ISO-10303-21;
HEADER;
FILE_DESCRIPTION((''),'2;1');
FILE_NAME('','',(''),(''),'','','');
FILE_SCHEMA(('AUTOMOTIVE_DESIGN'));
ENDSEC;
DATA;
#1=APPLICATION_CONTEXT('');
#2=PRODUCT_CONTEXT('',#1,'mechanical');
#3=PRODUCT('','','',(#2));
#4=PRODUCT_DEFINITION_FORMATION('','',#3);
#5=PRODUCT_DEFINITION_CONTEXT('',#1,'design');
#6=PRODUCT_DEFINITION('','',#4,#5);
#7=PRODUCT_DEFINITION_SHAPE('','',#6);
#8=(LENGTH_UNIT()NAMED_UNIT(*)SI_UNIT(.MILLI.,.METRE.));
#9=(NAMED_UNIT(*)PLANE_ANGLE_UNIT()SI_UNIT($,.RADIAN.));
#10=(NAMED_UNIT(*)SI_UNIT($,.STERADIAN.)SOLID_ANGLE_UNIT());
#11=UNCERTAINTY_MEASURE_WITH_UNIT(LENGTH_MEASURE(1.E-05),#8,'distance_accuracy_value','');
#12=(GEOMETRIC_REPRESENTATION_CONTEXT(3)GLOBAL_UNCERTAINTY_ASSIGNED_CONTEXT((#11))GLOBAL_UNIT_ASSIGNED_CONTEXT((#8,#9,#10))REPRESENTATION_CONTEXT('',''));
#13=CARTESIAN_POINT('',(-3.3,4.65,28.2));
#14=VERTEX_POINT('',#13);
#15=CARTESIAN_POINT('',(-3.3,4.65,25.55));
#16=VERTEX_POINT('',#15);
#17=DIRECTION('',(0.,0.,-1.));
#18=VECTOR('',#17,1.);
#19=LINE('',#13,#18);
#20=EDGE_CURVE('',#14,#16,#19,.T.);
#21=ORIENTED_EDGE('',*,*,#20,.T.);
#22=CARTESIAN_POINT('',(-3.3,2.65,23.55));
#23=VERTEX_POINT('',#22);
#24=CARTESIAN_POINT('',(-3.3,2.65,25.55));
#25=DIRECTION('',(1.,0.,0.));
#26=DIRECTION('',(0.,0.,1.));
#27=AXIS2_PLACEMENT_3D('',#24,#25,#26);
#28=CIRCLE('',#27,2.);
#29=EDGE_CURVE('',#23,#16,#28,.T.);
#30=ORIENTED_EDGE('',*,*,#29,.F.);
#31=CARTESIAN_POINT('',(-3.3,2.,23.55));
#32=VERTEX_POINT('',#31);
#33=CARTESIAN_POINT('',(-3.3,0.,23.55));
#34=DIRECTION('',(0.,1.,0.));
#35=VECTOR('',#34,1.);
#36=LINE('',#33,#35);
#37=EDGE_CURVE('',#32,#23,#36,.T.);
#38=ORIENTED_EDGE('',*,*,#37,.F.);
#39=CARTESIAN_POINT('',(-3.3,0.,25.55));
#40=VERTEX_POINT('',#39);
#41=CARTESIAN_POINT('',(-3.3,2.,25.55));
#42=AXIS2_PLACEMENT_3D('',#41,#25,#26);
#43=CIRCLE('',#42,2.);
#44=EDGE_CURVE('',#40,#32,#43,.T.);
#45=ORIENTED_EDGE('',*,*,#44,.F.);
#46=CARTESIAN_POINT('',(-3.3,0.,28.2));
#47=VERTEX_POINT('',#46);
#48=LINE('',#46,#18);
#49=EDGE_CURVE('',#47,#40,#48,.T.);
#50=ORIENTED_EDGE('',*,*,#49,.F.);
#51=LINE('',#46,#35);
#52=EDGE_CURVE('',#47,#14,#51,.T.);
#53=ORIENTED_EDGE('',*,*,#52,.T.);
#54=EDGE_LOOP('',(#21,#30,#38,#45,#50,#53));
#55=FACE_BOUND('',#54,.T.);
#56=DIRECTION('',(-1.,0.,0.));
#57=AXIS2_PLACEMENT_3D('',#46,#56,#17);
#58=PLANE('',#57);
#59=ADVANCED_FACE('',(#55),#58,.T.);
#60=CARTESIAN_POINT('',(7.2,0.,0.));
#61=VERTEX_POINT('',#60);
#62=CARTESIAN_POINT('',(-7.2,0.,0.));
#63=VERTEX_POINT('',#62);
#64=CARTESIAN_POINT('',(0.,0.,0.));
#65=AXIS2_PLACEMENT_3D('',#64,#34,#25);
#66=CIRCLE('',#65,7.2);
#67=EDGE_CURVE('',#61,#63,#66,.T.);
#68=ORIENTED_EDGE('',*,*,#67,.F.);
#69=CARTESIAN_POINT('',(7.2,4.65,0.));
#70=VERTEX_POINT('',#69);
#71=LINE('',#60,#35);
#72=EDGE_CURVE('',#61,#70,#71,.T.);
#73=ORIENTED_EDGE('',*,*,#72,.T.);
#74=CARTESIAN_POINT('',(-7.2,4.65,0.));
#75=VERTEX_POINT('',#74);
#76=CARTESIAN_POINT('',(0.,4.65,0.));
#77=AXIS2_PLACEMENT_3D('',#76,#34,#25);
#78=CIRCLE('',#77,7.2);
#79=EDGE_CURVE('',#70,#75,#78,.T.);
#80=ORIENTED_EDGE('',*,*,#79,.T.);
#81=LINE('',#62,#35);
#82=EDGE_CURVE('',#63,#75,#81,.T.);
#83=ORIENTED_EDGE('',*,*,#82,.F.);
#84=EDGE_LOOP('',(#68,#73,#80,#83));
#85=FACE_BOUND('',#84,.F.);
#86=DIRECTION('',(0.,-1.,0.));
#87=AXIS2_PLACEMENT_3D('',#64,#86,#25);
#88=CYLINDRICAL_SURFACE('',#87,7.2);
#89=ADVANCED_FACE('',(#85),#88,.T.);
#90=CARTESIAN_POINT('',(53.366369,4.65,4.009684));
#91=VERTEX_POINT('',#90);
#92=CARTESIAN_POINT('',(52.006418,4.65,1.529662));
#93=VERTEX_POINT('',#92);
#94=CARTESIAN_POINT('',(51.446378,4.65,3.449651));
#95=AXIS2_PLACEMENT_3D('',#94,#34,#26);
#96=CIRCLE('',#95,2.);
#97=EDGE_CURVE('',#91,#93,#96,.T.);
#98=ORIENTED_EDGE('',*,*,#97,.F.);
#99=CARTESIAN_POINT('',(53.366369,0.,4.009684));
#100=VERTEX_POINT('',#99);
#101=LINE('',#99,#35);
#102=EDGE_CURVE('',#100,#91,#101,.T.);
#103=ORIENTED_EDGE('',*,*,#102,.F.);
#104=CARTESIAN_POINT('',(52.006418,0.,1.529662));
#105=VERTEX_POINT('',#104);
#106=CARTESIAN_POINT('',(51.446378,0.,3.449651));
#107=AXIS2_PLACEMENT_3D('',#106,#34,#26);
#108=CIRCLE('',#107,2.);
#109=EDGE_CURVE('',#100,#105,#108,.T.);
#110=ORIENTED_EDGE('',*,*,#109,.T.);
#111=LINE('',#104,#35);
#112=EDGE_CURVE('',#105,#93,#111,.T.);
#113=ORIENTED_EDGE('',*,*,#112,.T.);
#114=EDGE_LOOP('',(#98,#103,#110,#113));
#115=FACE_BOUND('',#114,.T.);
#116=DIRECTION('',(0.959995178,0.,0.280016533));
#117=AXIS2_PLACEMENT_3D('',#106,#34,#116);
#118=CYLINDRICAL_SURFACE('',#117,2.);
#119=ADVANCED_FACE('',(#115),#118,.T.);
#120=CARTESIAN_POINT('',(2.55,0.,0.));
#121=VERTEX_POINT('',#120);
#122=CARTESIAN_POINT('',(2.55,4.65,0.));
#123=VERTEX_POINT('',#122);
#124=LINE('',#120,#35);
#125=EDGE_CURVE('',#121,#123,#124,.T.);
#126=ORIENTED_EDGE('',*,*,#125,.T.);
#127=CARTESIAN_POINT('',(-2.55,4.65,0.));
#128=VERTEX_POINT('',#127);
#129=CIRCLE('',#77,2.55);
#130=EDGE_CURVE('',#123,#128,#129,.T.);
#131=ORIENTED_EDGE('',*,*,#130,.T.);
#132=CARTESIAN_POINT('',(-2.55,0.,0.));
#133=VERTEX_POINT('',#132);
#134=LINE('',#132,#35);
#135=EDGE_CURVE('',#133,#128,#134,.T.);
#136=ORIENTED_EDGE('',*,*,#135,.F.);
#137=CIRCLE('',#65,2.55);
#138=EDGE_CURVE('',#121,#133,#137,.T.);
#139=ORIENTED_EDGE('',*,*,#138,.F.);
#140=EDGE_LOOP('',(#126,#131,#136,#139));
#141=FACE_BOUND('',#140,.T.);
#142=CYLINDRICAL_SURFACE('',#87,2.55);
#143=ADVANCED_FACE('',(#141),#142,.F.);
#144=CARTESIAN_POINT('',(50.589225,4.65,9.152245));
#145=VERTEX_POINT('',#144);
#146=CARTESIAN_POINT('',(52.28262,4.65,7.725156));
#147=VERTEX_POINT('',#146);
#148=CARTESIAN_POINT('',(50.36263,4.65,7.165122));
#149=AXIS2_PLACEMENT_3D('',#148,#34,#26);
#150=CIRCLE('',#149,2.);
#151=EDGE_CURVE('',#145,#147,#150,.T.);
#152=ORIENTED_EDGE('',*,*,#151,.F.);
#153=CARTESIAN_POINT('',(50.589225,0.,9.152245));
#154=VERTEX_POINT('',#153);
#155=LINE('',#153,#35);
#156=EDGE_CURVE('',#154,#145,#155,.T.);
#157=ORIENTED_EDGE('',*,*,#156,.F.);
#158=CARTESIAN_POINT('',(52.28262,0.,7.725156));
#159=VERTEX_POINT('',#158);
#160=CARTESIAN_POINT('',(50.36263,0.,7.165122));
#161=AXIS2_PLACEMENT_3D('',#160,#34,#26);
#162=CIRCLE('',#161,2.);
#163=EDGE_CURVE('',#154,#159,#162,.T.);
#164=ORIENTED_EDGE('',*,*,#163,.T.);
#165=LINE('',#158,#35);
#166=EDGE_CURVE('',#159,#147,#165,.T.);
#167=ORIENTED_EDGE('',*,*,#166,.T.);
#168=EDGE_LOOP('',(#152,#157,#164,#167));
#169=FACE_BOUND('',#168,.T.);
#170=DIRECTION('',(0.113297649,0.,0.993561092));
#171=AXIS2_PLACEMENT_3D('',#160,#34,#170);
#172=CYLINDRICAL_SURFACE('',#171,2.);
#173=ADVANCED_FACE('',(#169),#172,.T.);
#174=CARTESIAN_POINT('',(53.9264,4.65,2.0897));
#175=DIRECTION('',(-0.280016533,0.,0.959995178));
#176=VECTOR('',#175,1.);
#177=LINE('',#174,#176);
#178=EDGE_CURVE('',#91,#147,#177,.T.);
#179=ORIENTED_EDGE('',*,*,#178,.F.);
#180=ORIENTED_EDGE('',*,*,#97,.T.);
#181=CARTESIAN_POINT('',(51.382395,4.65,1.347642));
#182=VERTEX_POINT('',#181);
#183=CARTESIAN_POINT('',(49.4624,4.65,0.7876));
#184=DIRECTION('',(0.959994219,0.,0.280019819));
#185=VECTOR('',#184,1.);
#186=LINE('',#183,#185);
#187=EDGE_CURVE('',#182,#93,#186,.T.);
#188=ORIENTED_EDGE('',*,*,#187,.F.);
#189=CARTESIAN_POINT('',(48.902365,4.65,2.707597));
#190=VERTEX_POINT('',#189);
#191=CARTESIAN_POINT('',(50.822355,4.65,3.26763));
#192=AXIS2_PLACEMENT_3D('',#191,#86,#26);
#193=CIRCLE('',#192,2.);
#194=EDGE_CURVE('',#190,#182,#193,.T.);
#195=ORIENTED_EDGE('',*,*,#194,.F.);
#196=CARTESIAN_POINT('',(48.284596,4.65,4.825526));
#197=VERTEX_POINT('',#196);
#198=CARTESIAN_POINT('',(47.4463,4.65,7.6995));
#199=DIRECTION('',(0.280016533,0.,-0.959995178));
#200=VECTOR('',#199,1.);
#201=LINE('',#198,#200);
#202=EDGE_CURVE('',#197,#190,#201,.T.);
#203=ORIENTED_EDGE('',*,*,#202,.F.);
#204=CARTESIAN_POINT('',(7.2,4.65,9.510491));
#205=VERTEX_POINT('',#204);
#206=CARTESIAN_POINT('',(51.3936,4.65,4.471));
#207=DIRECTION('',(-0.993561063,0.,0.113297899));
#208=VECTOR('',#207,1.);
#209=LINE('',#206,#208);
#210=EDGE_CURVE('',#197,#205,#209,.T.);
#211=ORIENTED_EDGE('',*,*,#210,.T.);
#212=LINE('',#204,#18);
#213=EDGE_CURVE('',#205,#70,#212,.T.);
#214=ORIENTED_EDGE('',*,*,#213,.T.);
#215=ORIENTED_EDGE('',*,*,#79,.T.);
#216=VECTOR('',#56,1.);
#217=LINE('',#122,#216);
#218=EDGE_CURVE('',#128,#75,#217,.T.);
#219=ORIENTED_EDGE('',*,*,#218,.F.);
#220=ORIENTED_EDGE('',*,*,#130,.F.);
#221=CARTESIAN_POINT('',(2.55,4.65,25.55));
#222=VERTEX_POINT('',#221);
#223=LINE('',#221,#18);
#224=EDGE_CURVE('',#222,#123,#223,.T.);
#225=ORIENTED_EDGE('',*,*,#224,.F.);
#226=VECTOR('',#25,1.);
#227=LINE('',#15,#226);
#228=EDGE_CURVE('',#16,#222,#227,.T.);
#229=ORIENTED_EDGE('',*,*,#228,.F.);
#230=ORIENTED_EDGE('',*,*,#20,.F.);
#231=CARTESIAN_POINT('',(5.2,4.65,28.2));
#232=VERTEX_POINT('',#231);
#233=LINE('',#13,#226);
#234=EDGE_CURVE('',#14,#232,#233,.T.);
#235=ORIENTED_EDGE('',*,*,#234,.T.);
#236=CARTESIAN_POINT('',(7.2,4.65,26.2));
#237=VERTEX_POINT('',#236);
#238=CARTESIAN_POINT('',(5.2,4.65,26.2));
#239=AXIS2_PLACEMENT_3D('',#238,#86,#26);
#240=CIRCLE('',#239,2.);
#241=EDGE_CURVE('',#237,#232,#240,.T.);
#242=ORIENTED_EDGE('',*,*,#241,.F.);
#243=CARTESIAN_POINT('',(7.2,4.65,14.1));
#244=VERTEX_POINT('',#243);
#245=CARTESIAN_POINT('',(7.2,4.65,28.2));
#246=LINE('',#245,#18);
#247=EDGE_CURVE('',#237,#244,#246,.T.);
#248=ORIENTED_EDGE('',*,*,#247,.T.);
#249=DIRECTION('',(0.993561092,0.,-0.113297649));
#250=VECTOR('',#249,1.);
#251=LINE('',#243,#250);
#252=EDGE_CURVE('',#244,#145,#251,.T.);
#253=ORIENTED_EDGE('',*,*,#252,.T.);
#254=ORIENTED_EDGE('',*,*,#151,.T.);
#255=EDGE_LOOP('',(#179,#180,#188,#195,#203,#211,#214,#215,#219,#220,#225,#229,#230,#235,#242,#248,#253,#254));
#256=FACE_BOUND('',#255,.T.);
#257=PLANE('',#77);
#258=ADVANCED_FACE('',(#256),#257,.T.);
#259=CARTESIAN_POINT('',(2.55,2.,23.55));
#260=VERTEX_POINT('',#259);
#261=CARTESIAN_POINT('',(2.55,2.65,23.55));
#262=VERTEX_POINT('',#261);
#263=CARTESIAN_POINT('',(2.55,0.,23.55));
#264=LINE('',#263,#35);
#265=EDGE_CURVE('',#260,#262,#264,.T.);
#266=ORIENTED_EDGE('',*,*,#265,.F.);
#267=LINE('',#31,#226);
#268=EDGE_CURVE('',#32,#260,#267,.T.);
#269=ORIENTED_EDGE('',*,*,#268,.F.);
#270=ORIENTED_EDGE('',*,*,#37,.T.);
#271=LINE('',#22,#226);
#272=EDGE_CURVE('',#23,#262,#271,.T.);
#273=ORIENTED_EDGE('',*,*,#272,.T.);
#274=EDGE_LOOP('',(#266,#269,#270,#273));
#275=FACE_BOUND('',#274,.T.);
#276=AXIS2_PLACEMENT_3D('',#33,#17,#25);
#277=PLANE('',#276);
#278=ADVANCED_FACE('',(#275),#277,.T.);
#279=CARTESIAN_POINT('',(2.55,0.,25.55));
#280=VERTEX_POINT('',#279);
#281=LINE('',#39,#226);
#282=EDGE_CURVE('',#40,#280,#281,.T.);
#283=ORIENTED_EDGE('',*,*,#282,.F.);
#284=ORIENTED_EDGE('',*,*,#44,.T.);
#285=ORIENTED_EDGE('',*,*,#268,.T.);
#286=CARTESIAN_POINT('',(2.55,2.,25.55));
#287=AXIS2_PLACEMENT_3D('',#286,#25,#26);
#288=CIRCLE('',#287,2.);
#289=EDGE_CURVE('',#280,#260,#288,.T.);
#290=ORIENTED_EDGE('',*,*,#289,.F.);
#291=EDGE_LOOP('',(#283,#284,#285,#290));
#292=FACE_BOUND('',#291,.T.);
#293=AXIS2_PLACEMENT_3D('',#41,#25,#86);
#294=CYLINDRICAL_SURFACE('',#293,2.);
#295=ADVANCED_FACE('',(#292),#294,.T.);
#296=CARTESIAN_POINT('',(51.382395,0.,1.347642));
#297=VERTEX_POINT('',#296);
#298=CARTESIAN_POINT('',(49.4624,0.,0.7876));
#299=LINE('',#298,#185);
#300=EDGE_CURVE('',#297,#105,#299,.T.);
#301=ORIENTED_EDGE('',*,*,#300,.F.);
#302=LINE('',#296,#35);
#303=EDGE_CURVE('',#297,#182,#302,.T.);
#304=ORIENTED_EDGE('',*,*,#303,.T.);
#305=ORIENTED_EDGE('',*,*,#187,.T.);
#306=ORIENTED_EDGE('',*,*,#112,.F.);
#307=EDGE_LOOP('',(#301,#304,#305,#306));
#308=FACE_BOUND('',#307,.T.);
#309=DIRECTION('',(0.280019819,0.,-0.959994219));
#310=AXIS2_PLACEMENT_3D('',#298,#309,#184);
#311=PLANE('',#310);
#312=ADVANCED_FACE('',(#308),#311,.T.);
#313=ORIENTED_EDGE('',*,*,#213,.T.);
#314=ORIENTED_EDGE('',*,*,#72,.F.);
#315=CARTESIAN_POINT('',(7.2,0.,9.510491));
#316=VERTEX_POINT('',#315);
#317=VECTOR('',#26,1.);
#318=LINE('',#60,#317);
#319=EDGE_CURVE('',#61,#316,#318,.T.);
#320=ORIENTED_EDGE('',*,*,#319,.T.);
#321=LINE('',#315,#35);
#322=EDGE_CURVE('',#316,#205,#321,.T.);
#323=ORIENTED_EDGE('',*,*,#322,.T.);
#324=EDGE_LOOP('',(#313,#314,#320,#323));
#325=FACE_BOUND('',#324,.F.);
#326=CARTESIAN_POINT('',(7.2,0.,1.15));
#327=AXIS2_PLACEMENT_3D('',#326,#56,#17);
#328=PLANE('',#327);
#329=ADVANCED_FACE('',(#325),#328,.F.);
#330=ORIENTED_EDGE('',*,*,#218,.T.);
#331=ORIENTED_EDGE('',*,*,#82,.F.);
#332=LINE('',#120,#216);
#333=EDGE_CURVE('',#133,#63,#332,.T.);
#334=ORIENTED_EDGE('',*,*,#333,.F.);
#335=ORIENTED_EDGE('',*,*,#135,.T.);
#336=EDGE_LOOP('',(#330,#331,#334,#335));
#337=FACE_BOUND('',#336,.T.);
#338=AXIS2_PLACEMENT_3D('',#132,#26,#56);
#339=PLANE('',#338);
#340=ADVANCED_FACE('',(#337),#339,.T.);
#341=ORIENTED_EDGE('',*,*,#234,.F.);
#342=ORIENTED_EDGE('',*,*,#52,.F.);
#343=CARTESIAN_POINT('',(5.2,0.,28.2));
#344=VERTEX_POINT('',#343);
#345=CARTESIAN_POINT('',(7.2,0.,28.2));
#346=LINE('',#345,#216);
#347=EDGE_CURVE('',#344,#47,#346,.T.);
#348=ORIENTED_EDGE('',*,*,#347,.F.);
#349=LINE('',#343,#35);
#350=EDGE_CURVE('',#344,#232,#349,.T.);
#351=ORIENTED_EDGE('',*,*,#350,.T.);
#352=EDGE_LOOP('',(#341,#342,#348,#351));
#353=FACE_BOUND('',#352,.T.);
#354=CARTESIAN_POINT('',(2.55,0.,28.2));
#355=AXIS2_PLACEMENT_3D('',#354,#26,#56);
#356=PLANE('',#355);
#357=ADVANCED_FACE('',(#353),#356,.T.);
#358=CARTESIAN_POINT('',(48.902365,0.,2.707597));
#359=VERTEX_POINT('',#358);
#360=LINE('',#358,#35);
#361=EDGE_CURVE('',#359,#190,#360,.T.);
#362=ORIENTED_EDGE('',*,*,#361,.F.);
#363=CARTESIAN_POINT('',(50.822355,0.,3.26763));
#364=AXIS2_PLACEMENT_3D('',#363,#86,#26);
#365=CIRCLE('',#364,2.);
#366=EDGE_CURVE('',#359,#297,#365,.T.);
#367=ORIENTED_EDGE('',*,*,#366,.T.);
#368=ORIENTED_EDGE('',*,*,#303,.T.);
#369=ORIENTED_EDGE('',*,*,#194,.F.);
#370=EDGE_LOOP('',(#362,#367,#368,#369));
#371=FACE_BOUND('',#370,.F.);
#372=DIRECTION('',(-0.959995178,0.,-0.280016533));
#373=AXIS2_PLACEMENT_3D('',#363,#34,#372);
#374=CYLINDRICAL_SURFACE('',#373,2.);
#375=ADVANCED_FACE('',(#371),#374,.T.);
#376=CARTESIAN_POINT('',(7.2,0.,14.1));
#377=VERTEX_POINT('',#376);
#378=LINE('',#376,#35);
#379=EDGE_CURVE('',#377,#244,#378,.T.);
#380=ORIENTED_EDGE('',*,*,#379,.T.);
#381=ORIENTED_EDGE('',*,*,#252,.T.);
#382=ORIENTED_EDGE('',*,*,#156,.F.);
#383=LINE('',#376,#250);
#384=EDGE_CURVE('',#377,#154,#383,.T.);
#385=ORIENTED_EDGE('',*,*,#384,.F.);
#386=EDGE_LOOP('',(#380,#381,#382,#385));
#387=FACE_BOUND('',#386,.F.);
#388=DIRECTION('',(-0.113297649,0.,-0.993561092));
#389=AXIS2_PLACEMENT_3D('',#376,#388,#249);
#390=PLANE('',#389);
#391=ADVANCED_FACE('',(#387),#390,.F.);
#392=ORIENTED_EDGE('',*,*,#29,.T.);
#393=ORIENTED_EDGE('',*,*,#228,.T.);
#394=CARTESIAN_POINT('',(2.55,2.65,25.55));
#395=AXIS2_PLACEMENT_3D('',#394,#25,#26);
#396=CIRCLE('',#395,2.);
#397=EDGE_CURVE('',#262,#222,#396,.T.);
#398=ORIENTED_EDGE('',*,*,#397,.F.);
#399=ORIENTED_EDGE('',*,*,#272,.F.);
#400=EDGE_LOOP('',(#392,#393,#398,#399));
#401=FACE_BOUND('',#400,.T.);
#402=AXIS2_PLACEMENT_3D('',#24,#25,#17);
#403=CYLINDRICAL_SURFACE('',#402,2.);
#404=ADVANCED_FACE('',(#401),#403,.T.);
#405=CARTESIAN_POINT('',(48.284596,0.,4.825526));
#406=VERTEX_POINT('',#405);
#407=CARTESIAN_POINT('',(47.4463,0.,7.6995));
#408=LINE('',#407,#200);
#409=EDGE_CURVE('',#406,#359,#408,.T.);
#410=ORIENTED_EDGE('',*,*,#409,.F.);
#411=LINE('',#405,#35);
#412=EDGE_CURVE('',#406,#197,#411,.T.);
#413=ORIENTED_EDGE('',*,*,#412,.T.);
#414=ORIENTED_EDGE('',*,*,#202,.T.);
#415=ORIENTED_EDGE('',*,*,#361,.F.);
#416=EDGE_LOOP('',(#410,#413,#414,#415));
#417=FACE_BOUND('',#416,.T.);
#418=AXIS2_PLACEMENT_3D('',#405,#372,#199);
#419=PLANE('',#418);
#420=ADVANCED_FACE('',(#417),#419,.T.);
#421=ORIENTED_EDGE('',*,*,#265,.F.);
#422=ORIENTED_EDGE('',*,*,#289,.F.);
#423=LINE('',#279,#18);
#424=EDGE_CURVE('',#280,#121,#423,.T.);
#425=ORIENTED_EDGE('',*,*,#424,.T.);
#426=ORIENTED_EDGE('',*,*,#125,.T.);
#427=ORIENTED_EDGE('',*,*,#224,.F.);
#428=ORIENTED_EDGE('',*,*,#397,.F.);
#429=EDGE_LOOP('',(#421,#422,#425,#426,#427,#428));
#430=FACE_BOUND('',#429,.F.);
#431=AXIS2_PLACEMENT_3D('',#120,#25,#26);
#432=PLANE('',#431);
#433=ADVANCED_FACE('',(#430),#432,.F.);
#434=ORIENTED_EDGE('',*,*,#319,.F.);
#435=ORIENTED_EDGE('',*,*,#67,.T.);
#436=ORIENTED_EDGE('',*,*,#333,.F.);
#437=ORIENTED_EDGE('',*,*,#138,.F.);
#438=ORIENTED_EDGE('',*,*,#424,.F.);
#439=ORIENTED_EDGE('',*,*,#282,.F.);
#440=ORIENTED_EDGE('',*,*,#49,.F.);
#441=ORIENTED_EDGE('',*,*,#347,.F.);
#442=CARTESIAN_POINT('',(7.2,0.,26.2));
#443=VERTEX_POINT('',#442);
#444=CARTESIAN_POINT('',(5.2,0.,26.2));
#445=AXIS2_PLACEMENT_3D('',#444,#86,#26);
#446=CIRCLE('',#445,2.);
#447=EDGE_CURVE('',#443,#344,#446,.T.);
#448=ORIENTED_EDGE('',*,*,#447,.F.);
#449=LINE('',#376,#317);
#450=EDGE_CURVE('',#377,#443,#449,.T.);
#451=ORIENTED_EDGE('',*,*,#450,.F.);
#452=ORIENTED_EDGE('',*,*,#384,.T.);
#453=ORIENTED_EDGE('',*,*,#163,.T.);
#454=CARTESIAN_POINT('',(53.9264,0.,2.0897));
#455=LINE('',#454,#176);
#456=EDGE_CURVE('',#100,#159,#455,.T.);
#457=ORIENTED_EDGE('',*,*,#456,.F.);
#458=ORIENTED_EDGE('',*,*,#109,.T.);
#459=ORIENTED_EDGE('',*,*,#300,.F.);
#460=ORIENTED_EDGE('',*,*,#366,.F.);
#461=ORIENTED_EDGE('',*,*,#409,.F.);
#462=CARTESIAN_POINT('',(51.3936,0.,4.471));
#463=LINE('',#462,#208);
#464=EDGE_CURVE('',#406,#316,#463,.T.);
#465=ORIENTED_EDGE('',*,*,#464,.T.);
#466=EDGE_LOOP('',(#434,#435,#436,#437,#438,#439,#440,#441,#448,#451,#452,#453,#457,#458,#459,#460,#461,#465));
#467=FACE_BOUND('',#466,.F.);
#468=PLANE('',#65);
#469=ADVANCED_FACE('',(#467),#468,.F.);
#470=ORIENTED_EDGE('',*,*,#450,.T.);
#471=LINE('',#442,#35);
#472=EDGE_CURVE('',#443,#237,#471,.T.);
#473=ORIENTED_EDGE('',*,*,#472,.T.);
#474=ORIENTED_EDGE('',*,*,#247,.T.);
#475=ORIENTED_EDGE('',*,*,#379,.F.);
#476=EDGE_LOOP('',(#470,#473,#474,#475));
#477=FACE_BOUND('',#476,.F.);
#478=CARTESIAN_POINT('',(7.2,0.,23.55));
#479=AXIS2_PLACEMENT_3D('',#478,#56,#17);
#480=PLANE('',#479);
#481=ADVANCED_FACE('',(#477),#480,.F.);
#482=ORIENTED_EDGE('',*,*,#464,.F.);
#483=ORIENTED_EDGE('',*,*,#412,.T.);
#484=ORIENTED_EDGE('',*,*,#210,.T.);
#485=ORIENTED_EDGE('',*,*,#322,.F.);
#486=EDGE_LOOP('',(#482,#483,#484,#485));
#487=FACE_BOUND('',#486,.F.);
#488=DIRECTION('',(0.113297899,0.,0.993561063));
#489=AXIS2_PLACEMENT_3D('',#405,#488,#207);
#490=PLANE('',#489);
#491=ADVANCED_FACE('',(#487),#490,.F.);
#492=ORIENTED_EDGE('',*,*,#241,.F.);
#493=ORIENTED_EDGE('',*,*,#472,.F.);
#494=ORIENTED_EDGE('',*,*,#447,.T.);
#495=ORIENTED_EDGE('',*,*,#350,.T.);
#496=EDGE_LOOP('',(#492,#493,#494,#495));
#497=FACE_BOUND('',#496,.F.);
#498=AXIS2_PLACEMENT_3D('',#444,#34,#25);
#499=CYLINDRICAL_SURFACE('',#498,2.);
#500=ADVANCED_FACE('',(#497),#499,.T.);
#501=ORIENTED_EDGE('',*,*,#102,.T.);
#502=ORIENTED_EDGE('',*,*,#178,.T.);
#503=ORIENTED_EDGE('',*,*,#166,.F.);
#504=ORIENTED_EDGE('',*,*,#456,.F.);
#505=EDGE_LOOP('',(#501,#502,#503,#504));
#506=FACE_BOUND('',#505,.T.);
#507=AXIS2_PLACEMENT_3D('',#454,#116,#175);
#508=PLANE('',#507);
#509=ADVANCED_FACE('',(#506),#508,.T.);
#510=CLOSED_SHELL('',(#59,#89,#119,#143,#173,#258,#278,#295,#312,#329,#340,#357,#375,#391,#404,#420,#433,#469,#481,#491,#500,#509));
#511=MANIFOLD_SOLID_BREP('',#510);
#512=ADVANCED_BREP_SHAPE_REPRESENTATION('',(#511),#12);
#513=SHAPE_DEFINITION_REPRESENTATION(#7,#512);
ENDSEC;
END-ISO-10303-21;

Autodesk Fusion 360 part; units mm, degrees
sketch "Sketch1" plane through (0, 0, 0) normal (0, 1, 0) x (1, 0, 0)
  circle A0 centre (0, 0) radius 7.2
  circle A1 centre (0, 0) radius 2.55
  line L0 (7.2, 0) -> (2.55, 0)
  line L1 (2.55, 0) -> (2.55, -28.2)
  line L2 (2.55, -28.2) -> (7.2, -28.2)
  line L3 (7.2, -28.2) -> (7.2, 0)
  line L4 (7.2, -28.2) -> (-3.3, -28.2)
  line L5 (-3.3, -28.2) -> (-3.3, -23.55)
  line L6 (-3.3, -23.55) -> (7.2, -23.55)
  line L7 (7.2, -23.55) -> (7.2, -28.2)
  line L8 (2.55, 0) -> (-7.2, 0)
  line L9 (7.2, -5.8) -> (7.2, -1.15)
  line L10 (7.2, -14.1) -> (51.9103, -9.0016)
  line L11 (51.9103, -9.0016) -> (51.3936, -4.471)
  line L12 (51.3936, -4.471) -> (6.6834, -9.5694)
  line L13 (6.6834, -9.5694) -> (7.2, -14.1)
  line L14 (51.9103, -9.0016) -> (47.4463, -7.6995)
  line L15 (47.4463, -7.6995) -> (49.4624, -0.7876)
  line L16 (49.4624, -0.7876) -> (53.9264, -2.0897)
  line L17 (53.9264, -2.0897) -> (51.9103, -9.0016)
  dimension "d1" = 14.4
  dimension "d2" = 5.1
  dimension "d3" = 4.65
  dimension "d4" = 28.2
  dimension "d5" = 10.5
  dimension "d6" = 4.65
  dimension "d16" = 45
  dimension "d17" = 4.56
  dimension "d18" = 4.65
  dimension "d19" = 7.2
extrude "Extrude1" add sketch "Sketch1" along normal blind 4.65 contours A0 A1 L0 L8 | A0 L1 L3 L6 L9 L12 L13 | A0 L0 L1 | L1 L2 L3 L4 L6 L7 | L1 L4 L5 L6 | L3 L10 L12 L14 L15 | L3 L12 L13 | L11 L12 L15 L16 L17 | L11 L12 L14 L15
fillet "Fillet1" radius 2 3 edges at (49.4624, 2.325, 0.7876) (53.9264, 2.325, 2.0897) (51.9103, 2.325, 9.0016)
fillet "Fillet2" radius 2 1 edges at (7.2, 2.325, 28.2)
fillet "Fillet3" radius 2 2 edges at (-0.375, 4.65, 23.55) (-0.375, 0, 23.55)
